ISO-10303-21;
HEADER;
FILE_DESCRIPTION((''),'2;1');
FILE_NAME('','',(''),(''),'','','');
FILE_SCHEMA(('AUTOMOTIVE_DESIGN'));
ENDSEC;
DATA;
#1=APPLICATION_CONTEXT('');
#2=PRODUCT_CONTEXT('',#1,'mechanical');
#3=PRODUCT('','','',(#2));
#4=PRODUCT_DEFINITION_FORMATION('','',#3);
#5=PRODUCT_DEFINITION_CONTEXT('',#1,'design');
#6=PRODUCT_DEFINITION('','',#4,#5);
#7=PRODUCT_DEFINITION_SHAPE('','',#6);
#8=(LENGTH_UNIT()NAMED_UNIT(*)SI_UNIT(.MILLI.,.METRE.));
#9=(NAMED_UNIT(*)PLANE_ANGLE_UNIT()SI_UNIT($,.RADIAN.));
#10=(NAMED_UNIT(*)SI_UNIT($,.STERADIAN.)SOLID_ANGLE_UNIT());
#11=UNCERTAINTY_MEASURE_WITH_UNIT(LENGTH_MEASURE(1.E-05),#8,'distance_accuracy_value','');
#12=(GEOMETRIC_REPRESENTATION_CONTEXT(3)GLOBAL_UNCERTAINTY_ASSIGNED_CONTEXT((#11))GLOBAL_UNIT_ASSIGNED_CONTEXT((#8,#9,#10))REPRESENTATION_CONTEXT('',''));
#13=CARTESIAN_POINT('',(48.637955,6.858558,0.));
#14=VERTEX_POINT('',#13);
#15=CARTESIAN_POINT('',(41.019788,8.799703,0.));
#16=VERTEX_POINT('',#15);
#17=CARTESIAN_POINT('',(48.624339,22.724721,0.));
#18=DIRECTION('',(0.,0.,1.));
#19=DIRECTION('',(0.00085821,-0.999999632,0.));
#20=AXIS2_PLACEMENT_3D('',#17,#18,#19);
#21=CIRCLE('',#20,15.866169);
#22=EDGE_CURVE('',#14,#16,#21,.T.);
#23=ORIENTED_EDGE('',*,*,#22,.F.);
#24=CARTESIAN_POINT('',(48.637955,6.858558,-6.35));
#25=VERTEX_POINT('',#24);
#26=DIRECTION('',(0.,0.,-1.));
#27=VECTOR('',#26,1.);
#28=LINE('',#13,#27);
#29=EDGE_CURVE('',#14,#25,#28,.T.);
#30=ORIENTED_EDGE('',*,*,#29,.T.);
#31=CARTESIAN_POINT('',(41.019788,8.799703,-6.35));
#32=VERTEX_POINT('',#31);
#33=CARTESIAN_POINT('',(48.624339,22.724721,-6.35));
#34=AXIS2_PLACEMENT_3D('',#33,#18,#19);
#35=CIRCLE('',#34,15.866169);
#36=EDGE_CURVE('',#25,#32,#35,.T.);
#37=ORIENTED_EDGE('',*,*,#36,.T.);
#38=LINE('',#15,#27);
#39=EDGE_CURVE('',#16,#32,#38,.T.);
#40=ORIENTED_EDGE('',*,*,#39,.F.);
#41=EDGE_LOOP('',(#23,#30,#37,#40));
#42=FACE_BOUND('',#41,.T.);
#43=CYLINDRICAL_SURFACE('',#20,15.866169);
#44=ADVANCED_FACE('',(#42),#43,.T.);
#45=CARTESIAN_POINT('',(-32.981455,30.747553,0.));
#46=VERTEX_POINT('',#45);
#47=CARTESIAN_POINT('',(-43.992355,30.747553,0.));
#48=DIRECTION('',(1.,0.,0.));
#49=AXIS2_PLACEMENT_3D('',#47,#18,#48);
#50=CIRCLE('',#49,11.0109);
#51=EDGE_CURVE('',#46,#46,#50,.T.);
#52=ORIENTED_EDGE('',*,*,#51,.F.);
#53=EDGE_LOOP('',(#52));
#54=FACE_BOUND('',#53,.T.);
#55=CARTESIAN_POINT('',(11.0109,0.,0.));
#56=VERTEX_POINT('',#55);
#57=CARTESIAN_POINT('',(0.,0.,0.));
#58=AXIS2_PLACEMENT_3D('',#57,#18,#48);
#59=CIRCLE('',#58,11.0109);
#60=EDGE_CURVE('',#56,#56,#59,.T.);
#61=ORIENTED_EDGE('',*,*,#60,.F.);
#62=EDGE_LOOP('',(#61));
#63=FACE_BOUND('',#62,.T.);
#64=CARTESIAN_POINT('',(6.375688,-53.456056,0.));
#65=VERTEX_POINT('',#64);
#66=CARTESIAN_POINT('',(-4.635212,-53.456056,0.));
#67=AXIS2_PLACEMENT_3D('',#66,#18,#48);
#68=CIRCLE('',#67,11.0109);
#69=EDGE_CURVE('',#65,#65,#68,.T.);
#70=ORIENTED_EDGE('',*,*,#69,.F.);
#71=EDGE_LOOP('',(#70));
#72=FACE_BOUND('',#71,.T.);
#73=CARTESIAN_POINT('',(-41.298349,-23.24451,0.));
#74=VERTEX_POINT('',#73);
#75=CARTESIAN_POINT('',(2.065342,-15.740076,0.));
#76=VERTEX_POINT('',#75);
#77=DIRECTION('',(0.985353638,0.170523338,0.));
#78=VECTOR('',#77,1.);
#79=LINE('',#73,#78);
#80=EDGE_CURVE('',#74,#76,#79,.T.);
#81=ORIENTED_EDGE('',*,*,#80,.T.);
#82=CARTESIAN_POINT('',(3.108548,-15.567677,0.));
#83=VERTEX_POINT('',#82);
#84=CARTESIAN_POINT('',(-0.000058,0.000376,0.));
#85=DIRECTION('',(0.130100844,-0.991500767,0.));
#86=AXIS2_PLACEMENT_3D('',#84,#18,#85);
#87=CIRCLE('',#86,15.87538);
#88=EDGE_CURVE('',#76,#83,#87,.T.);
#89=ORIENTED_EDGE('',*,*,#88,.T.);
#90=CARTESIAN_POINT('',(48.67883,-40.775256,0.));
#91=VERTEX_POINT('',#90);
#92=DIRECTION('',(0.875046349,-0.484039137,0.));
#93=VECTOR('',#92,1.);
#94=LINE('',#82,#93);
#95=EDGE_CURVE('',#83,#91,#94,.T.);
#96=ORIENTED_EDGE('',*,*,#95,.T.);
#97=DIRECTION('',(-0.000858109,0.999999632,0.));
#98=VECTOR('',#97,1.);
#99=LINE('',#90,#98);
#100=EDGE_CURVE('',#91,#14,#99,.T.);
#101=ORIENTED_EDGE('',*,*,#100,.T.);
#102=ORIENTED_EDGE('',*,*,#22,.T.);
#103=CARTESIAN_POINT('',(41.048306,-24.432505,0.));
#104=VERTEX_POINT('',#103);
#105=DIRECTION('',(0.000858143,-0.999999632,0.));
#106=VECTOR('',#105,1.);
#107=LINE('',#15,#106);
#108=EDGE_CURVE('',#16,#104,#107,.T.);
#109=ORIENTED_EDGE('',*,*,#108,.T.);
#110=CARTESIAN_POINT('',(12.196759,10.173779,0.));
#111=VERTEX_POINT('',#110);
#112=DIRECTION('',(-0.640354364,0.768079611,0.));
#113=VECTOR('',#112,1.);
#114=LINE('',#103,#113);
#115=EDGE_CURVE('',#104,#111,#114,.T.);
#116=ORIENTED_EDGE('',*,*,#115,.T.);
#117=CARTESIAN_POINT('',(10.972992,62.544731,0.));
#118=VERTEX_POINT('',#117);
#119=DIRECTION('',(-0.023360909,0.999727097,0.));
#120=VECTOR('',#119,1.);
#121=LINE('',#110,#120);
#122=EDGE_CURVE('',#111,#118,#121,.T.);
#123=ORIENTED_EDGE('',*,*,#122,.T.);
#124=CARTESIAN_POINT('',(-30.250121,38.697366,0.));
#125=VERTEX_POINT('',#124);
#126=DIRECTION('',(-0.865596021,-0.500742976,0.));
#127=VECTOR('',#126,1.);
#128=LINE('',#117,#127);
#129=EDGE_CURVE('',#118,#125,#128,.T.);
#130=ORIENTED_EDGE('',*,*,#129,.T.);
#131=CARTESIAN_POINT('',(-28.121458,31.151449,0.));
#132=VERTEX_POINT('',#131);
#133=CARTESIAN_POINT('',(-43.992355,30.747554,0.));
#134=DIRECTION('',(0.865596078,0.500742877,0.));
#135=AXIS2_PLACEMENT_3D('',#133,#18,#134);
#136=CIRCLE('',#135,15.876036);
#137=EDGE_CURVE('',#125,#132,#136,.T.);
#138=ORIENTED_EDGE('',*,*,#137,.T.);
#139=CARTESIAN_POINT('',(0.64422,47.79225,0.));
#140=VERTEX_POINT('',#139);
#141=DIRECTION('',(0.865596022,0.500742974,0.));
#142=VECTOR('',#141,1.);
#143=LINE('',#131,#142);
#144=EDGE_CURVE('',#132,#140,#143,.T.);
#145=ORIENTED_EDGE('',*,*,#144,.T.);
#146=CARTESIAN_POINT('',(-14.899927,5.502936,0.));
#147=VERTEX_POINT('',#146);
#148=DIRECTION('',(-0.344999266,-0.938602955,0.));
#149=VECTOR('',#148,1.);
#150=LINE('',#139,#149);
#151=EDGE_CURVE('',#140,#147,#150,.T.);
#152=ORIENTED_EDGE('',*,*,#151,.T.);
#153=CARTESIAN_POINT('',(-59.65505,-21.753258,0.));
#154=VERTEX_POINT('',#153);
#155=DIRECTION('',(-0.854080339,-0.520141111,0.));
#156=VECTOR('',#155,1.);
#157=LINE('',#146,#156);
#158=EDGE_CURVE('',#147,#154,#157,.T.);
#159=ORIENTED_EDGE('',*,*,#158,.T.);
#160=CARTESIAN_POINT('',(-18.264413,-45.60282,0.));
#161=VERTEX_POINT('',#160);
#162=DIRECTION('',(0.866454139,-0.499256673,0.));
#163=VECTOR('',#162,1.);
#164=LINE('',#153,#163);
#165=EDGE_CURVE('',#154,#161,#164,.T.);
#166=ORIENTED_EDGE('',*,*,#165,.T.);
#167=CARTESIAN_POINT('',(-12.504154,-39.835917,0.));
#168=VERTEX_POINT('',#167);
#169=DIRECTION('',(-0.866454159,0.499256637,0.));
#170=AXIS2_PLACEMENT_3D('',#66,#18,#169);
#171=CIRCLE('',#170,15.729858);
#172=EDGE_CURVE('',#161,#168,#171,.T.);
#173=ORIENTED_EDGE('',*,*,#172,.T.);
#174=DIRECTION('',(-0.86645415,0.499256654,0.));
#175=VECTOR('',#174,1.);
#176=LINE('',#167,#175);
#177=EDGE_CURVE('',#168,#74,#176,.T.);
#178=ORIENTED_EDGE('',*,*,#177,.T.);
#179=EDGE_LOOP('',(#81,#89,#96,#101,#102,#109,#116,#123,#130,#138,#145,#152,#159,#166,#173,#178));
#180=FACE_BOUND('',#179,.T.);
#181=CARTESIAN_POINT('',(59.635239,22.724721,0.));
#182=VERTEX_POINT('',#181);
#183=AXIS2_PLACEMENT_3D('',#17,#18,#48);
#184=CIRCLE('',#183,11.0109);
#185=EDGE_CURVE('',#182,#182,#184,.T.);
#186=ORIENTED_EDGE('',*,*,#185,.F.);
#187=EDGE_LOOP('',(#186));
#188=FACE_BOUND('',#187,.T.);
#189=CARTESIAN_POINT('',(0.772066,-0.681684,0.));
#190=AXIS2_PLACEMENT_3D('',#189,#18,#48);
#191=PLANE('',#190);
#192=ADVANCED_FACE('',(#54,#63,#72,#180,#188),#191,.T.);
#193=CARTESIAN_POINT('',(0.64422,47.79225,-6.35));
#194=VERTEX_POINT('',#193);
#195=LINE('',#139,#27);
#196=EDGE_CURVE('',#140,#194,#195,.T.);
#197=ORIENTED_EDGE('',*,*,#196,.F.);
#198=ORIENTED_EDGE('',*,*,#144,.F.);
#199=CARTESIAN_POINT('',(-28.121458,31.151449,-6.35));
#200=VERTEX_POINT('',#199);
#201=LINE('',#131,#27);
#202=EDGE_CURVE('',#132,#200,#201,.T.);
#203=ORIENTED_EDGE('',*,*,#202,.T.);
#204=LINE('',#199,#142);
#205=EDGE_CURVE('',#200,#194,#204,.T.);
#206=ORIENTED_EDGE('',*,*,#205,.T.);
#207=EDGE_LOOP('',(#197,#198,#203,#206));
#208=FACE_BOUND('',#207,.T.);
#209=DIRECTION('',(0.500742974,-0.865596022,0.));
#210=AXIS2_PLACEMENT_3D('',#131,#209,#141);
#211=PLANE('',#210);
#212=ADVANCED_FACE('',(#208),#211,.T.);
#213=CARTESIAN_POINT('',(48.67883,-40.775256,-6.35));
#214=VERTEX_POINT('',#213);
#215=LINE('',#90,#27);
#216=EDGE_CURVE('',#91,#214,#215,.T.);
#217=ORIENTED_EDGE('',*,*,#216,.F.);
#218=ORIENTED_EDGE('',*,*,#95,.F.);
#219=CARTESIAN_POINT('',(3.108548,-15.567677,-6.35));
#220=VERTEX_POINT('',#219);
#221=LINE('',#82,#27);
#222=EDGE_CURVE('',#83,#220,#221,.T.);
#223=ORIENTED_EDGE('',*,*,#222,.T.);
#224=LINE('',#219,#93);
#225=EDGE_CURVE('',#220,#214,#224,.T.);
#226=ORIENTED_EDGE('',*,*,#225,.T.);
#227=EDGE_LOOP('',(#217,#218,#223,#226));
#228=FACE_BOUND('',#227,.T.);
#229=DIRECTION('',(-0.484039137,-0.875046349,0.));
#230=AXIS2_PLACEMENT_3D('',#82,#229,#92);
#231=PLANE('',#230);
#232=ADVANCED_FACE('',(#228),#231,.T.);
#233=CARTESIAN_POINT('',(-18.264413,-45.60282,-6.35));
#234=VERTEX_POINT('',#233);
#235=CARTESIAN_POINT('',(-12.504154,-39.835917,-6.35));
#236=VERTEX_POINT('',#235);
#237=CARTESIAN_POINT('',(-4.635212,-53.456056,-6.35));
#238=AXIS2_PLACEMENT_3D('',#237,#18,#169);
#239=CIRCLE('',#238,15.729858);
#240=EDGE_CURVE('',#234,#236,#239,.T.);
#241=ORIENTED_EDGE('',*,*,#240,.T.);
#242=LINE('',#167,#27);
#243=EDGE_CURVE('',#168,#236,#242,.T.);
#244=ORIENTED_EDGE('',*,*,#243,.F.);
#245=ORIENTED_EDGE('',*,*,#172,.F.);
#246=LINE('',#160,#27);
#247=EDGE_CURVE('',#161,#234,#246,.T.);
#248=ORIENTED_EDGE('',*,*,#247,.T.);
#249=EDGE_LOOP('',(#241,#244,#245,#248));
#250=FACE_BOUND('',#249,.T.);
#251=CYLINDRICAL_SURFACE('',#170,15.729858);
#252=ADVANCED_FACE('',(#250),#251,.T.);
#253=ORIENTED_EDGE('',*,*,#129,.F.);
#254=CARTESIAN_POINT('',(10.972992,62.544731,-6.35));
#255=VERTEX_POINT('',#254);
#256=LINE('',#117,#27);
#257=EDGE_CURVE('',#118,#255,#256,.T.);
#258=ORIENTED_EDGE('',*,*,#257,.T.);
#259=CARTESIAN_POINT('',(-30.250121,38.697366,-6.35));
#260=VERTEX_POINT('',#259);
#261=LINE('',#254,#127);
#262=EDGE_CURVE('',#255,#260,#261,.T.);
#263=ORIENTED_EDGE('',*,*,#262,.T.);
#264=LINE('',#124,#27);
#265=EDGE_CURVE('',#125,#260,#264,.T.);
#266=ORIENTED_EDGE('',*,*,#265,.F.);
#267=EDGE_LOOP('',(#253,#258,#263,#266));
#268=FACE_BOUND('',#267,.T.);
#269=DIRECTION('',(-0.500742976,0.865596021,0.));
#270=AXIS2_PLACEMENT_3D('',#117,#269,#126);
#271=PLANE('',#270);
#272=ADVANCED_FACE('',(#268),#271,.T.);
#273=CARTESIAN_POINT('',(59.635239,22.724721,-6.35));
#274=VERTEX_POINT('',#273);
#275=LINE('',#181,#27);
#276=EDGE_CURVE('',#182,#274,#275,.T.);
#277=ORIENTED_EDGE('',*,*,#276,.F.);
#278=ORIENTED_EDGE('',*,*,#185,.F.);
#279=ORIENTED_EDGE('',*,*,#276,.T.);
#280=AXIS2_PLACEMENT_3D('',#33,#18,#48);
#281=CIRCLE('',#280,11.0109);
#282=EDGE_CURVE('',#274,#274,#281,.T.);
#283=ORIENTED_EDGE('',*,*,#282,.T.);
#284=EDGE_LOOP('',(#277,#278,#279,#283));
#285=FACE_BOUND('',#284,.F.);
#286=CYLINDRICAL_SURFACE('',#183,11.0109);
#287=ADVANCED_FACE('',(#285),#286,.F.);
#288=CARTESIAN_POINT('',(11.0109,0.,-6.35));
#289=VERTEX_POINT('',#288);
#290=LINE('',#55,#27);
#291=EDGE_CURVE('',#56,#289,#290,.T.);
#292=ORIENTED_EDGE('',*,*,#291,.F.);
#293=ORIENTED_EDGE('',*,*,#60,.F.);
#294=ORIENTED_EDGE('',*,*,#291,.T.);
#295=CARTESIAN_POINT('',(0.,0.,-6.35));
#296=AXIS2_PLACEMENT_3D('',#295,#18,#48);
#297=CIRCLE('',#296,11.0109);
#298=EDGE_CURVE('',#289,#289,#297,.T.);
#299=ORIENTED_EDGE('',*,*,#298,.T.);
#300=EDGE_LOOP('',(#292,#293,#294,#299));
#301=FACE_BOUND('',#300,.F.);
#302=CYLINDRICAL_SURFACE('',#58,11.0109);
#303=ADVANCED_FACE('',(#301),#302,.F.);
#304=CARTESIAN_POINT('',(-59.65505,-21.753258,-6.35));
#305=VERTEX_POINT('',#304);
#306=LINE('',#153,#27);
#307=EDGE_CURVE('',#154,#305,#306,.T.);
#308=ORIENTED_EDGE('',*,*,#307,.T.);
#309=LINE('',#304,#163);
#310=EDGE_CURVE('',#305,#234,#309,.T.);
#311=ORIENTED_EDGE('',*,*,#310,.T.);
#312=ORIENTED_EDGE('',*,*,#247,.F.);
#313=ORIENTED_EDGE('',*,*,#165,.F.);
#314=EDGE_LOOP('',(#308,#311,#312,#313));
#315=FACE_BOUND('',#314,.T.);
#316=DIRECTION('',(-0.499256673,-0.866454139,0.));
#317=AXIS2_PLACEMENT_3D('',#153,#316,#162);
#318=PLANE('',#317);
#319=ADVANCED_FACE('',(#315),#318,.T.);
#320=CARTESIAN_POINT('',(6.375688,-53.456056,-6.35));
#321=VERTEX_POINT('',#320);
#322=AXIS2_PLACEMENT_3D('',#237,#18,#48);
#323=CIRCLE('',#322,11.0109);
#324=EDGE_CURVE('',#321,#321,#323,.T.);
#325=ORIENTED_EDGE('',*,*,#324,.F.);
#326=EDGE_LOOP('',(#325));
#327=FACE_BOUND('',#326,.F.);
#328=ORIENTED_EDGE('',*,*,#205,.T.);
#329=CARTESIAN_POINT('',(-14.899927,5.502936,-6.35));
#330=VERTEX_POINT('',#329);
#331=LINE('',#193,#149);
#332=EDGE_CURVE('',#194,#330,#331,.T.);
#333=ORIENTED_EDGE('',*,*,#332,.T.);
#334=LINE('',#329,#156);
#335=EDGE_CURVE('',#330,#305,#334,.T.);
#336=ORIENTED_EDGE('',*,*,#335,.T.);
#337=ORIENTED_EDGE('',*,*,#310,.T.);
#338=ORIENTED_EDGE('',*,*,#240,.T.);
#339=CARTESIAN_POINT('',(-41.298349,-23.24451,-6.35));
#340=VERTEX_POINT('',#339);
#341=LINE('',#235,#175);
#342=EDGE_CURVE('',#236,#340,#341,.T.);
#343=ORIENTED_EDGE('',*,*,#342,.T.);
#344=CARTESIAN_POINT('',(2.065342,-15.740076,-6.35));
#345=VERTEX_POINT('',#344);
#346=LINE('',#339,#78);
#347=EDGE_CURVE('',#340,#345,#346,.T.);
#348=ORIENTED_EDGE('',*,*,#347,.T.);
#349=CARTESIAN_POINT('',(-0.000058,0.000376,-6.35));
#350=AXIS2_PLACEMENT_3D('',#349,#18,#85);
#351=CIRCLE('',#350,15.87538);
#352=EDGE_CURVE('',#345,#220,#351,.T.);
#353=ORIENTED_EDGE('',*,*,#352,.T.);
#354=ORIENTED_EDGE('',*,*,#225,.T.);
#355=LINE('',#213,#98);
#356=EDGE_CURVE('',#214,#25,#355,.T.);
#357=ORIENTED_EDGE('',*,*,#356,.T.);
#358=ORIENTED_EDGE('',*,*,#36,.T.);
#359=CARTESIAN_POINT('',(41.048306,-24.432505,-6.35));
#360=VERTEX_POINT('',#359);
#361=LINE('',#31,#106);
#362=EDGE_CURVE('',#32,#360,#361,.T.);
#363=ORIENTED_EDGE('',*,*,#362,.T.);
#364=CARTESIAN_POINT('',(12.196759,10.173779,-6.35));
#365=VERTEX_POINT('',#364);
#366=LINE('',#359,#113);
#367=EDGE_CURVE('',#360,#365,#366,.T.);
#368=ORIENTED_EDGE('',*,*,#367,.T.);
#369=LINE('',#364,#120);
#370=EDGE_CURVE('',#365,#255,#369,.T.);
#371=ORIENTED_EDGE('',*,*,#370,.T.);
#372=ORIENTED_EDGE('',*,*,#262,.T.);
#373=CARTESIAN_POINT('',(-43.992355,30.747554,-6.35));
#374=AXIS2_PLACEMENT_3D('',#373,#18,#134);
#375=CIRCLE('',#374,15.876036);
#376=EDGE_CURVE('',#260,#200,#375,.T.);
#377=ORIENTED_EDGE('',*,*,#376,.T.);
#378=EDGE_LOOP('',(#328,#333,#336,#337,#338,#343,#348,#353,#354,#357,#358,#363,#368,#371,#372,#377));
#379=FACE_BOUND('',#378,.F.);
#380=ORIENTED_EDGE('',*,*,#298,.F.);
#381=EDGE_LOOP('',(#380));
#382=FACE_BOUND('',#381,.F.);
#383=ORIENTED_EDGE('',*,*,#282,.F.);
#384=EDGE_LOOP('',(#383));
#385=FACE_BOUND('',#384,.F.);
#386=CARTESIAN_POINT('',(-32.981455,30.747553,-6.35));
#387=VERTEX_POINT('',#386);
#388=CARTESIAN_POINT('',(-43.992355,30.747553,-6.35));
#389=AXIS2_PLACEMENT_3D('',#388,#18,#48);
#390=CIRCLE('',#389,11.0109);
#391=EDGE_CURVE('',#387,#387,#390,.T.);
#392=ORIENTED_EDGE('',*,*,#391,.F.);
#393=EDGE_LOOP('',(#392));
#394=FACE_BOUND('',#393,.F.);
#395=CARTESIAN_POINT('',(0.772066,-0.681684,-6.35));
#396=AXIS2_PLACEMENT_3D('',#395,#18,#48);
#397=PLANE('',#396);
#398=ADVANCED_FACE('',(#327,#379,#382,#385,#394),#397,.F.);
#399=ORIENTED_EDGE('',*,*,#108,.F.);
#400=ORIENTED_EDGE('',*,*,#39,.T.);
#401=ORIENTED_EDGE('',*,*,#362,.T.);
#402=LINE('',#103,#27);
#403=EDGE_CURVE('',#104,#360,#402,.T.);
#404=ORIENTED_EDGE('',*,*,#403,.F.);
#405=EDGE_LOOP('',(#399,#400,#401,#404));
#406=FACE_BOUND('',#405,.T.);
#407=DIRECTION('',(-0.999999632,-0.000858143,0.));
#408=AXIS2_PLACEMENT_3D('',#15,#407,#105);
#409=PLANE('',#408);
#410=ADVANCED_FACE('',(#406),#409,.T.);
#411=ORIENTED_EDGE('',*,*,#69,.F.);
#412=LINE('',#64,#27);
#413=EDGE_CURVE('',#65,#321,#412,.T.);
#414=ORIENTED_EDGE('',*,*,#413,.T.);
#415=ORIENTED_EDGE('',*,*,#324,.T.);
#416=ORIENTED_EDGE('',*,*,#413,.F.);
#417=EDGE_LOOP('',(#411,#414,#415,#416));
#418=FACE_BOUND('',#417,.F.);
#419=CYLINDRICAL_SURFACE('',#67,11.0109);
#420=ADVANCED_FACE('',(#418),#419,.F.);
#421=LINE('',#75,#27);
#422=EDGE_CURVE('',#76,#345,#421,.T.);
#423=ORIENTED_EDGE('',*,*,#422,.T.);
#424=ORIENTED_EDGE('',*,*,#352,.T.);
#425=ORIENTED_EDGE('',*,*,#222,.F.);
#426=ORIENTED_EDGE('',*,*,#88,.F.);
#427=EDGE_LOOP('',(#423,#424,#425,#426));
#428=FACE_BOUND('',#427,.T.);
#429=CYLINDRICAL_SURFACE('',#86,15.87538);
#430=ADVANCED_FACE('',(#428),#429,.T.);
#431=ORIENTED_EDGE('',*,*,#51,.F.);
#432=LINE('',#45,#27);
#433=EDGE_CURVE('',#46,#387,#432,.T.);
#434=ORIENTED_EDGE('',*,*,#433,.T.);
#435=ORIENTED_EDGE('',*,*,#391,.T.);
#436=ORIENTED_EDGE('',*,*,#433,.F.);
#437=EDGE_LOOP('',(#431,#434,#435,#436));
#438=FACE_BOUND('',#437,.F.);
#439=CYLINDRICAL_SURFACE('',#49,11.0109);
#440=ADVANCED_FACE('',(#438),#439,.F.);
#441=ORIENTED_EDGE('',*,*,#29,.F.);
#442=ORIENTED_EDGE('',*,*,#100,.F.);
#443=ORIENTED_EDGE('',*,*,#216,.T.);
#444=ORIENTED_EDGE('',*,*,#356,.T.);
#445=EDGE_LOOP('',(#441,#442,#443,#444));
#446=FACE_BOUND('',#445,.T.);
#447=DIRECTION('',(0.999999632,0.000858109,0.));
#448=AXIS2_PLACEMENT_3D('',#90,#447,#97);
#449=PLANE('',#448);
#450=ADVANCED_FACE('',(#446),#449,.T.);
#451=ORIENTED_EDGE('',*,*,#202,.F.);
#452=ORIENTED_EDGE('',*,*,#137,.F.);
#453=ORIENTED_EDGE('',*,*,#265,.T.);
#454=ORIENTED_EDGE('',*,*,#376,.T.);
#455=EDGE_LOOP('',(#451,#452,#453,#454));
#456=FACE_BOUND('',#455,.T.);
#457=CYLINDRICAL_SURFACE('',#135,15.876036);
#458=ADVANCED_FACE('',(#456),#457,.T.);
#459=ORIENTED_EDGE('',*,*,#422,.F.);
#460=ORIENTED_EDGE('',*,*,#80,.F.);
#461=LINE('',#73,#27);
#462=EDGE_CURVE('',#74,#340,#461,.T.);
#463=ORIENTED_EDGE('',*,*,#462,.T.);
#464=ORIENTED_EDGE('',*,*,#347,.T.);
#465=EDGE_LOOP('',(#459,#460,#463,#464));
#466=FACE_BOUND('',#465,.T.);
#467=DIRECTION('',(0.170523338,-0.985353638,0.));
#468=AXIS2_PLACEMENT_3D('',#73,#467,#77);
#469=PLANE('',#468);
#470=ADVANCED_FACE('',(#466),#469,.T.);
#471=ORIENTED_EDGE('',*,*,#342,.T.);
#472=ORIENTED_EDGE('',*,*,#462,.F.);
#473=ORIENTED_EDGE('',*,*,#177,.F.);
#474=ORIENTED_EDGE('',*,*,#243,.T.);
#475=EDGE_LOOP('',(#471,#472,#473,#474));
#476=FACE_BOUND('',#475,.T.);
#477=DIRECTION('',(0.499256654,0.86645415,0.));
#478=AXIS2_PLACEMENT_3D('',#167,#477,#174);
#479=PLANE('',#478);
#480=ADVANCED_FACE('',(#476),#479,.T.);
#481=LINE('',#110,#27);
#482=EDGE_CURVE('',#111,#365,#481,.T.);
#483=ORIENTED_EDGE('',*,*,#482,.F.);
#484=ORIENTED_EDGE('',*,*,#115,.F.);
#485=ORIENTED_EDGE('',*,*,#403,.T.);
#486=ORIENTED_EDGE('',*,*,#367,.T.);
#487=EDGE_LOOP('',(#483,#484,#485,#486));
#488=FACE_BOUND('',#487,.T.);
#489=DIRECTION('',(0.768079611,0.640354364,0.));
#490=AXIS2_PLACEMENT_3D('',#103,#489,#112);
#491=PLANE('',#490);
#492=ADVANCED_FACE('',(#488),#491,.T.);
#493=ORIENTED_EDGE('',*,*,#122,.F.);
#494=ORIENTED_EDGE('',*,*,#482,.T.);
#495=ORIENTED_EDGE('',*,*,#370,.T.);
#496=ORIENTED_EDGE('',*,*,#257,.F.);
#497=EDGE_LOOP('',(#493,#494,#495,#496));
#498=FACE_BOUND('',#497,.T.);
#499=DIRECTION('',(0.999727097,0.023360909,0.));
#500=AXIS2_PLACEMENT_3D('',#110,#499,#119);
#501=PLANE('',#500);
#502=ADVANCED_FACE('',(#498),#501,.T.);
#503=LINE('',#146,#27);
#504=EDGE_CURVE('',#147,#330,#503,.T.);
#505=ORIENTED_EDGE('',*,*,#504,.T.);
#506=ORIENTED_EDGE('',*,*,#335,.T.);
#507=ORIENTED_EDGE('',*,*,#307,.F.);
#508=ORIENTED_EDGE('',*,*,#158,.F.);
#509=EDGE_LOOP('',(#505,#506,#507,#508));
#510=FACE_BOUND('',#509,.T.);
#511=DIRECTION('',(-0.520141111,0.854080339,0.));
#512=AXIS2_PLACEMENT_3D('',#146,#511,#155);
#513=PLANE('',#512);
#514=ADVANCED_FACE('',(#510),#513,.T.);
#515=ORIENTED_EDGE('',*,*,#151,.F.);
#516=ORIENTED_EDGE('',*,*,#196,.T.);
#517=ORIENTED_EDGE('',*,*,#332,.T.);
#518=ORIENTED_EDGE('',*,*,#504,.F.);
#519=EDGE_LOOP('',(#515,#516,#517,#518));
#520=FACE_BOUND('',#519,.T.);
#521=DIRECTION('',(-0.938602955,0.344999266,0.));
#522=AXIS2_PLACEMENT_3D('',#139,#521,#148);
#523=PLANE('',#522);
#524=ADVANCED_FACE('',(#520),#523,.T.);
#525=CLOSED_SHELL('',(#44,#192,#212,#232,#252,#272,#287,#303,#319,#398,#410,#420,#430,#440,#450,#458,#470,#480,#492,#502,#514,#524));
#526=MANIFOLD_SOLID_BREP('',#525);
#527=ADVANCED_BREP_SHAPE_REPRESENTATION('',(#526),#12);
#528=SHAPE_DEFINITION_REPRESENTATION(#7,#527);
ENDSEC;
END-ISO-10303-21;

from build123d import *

# Parameters (mm, degrees)
F0_R     = 11.0109
F1_DEPTH = 6.35


with BuildPart() as f1:
    # F0 (on Top) → F1 (new body)
    with BuildSketch(Plane.XY):
        with BuildLine():
            Line((3.097345, -15.56148), (3.108548, -15.567677))
            ThreePointArc((3.108548, -15.567677), (12.275256, -10.066465), (15.875, 0))
            ThreePointArc((15.875, 0), (-11.933208, 10.469678), (2.065342, -15.740076))
            Line((2.065342, -15.740076), (3.097345, -15.56148))
        make_face()
        Circle(F0_R, mode=Mode.SUBTRACT)
        with BuildLine():
            Line((12.196759, 10.173779), (10.972992, 62.544731))
            Line((10.972992, 62.544731), (-30.250121, 38.697366))
            ThreePointArc((-30.250121, 38.697366), (-59.272067, 26.437226), (-28.121458, 31.151449))
            Line((-28.121458, 31.151449), (0.64422, 47.79225))
            Line((0.64422, 47.79225), (-14.899927, 5.502936))
            Line((-14.899927, 5.502936), (-59.65505, -21.753258))
            Line((-59.65505, -21.753258), (-18.264413, -45.60282))
            ThreePointArc((-18.264413, -45.60282), (6.493886, -64.572333), (-12.504154, -39.835917))
            Line((-12.504154, -39.835917), (-41.298349, -23.24451))
            Line((-41.298349, -23.24451), (2.065342, -15.740076))
            ThreePointArc((2.065342, -15.740076), (-11.933208, 10.469678), (15.875, 0))
            ThreePointArc((15.875, 0), (12.275256, -10.066465), (3.108548, -15.567677))
            Line((3.108548, -15.567677), (48.67883, -40.775256))
            Line((48.67883, -40.775256), (48.637955, 6.858558))
            ThreePointArc((48.637955, 6.858558), (52.541939, 38.099627), (41.019788, 8.799703))
            Line((41.019788, 8.799703), (41.048306, -24.432505))
            Line((41.048306, -24.432505), (12.196759, 10.173779))
        make_face()
        with Locations((-4.635212, -53.456056)):
            Circle(F0_R, mode=Mode.SUBTRACT)
        with Locations((-43.992355, 30.747553)):
            Circle(F0_R, mode=Mode.SUBTRACT)
        with Locations((48.624339, 22.724721)):
            Circle(F0_R, mode=Mode.SUBTRACT)
        with BuildLine():
            ThreePointArc((2.065342, -15.740076), (2.588381, -15.662564), (3.108548, -15.567677))
            Line((3.108548, -15.567677), (3.097345, -15.56148))
            Line((3.097345, -15.56148), (2.065342, -15.740076))
        make_face()
    extrude(amount=-F1_DEPTH)


solid = f1.part
